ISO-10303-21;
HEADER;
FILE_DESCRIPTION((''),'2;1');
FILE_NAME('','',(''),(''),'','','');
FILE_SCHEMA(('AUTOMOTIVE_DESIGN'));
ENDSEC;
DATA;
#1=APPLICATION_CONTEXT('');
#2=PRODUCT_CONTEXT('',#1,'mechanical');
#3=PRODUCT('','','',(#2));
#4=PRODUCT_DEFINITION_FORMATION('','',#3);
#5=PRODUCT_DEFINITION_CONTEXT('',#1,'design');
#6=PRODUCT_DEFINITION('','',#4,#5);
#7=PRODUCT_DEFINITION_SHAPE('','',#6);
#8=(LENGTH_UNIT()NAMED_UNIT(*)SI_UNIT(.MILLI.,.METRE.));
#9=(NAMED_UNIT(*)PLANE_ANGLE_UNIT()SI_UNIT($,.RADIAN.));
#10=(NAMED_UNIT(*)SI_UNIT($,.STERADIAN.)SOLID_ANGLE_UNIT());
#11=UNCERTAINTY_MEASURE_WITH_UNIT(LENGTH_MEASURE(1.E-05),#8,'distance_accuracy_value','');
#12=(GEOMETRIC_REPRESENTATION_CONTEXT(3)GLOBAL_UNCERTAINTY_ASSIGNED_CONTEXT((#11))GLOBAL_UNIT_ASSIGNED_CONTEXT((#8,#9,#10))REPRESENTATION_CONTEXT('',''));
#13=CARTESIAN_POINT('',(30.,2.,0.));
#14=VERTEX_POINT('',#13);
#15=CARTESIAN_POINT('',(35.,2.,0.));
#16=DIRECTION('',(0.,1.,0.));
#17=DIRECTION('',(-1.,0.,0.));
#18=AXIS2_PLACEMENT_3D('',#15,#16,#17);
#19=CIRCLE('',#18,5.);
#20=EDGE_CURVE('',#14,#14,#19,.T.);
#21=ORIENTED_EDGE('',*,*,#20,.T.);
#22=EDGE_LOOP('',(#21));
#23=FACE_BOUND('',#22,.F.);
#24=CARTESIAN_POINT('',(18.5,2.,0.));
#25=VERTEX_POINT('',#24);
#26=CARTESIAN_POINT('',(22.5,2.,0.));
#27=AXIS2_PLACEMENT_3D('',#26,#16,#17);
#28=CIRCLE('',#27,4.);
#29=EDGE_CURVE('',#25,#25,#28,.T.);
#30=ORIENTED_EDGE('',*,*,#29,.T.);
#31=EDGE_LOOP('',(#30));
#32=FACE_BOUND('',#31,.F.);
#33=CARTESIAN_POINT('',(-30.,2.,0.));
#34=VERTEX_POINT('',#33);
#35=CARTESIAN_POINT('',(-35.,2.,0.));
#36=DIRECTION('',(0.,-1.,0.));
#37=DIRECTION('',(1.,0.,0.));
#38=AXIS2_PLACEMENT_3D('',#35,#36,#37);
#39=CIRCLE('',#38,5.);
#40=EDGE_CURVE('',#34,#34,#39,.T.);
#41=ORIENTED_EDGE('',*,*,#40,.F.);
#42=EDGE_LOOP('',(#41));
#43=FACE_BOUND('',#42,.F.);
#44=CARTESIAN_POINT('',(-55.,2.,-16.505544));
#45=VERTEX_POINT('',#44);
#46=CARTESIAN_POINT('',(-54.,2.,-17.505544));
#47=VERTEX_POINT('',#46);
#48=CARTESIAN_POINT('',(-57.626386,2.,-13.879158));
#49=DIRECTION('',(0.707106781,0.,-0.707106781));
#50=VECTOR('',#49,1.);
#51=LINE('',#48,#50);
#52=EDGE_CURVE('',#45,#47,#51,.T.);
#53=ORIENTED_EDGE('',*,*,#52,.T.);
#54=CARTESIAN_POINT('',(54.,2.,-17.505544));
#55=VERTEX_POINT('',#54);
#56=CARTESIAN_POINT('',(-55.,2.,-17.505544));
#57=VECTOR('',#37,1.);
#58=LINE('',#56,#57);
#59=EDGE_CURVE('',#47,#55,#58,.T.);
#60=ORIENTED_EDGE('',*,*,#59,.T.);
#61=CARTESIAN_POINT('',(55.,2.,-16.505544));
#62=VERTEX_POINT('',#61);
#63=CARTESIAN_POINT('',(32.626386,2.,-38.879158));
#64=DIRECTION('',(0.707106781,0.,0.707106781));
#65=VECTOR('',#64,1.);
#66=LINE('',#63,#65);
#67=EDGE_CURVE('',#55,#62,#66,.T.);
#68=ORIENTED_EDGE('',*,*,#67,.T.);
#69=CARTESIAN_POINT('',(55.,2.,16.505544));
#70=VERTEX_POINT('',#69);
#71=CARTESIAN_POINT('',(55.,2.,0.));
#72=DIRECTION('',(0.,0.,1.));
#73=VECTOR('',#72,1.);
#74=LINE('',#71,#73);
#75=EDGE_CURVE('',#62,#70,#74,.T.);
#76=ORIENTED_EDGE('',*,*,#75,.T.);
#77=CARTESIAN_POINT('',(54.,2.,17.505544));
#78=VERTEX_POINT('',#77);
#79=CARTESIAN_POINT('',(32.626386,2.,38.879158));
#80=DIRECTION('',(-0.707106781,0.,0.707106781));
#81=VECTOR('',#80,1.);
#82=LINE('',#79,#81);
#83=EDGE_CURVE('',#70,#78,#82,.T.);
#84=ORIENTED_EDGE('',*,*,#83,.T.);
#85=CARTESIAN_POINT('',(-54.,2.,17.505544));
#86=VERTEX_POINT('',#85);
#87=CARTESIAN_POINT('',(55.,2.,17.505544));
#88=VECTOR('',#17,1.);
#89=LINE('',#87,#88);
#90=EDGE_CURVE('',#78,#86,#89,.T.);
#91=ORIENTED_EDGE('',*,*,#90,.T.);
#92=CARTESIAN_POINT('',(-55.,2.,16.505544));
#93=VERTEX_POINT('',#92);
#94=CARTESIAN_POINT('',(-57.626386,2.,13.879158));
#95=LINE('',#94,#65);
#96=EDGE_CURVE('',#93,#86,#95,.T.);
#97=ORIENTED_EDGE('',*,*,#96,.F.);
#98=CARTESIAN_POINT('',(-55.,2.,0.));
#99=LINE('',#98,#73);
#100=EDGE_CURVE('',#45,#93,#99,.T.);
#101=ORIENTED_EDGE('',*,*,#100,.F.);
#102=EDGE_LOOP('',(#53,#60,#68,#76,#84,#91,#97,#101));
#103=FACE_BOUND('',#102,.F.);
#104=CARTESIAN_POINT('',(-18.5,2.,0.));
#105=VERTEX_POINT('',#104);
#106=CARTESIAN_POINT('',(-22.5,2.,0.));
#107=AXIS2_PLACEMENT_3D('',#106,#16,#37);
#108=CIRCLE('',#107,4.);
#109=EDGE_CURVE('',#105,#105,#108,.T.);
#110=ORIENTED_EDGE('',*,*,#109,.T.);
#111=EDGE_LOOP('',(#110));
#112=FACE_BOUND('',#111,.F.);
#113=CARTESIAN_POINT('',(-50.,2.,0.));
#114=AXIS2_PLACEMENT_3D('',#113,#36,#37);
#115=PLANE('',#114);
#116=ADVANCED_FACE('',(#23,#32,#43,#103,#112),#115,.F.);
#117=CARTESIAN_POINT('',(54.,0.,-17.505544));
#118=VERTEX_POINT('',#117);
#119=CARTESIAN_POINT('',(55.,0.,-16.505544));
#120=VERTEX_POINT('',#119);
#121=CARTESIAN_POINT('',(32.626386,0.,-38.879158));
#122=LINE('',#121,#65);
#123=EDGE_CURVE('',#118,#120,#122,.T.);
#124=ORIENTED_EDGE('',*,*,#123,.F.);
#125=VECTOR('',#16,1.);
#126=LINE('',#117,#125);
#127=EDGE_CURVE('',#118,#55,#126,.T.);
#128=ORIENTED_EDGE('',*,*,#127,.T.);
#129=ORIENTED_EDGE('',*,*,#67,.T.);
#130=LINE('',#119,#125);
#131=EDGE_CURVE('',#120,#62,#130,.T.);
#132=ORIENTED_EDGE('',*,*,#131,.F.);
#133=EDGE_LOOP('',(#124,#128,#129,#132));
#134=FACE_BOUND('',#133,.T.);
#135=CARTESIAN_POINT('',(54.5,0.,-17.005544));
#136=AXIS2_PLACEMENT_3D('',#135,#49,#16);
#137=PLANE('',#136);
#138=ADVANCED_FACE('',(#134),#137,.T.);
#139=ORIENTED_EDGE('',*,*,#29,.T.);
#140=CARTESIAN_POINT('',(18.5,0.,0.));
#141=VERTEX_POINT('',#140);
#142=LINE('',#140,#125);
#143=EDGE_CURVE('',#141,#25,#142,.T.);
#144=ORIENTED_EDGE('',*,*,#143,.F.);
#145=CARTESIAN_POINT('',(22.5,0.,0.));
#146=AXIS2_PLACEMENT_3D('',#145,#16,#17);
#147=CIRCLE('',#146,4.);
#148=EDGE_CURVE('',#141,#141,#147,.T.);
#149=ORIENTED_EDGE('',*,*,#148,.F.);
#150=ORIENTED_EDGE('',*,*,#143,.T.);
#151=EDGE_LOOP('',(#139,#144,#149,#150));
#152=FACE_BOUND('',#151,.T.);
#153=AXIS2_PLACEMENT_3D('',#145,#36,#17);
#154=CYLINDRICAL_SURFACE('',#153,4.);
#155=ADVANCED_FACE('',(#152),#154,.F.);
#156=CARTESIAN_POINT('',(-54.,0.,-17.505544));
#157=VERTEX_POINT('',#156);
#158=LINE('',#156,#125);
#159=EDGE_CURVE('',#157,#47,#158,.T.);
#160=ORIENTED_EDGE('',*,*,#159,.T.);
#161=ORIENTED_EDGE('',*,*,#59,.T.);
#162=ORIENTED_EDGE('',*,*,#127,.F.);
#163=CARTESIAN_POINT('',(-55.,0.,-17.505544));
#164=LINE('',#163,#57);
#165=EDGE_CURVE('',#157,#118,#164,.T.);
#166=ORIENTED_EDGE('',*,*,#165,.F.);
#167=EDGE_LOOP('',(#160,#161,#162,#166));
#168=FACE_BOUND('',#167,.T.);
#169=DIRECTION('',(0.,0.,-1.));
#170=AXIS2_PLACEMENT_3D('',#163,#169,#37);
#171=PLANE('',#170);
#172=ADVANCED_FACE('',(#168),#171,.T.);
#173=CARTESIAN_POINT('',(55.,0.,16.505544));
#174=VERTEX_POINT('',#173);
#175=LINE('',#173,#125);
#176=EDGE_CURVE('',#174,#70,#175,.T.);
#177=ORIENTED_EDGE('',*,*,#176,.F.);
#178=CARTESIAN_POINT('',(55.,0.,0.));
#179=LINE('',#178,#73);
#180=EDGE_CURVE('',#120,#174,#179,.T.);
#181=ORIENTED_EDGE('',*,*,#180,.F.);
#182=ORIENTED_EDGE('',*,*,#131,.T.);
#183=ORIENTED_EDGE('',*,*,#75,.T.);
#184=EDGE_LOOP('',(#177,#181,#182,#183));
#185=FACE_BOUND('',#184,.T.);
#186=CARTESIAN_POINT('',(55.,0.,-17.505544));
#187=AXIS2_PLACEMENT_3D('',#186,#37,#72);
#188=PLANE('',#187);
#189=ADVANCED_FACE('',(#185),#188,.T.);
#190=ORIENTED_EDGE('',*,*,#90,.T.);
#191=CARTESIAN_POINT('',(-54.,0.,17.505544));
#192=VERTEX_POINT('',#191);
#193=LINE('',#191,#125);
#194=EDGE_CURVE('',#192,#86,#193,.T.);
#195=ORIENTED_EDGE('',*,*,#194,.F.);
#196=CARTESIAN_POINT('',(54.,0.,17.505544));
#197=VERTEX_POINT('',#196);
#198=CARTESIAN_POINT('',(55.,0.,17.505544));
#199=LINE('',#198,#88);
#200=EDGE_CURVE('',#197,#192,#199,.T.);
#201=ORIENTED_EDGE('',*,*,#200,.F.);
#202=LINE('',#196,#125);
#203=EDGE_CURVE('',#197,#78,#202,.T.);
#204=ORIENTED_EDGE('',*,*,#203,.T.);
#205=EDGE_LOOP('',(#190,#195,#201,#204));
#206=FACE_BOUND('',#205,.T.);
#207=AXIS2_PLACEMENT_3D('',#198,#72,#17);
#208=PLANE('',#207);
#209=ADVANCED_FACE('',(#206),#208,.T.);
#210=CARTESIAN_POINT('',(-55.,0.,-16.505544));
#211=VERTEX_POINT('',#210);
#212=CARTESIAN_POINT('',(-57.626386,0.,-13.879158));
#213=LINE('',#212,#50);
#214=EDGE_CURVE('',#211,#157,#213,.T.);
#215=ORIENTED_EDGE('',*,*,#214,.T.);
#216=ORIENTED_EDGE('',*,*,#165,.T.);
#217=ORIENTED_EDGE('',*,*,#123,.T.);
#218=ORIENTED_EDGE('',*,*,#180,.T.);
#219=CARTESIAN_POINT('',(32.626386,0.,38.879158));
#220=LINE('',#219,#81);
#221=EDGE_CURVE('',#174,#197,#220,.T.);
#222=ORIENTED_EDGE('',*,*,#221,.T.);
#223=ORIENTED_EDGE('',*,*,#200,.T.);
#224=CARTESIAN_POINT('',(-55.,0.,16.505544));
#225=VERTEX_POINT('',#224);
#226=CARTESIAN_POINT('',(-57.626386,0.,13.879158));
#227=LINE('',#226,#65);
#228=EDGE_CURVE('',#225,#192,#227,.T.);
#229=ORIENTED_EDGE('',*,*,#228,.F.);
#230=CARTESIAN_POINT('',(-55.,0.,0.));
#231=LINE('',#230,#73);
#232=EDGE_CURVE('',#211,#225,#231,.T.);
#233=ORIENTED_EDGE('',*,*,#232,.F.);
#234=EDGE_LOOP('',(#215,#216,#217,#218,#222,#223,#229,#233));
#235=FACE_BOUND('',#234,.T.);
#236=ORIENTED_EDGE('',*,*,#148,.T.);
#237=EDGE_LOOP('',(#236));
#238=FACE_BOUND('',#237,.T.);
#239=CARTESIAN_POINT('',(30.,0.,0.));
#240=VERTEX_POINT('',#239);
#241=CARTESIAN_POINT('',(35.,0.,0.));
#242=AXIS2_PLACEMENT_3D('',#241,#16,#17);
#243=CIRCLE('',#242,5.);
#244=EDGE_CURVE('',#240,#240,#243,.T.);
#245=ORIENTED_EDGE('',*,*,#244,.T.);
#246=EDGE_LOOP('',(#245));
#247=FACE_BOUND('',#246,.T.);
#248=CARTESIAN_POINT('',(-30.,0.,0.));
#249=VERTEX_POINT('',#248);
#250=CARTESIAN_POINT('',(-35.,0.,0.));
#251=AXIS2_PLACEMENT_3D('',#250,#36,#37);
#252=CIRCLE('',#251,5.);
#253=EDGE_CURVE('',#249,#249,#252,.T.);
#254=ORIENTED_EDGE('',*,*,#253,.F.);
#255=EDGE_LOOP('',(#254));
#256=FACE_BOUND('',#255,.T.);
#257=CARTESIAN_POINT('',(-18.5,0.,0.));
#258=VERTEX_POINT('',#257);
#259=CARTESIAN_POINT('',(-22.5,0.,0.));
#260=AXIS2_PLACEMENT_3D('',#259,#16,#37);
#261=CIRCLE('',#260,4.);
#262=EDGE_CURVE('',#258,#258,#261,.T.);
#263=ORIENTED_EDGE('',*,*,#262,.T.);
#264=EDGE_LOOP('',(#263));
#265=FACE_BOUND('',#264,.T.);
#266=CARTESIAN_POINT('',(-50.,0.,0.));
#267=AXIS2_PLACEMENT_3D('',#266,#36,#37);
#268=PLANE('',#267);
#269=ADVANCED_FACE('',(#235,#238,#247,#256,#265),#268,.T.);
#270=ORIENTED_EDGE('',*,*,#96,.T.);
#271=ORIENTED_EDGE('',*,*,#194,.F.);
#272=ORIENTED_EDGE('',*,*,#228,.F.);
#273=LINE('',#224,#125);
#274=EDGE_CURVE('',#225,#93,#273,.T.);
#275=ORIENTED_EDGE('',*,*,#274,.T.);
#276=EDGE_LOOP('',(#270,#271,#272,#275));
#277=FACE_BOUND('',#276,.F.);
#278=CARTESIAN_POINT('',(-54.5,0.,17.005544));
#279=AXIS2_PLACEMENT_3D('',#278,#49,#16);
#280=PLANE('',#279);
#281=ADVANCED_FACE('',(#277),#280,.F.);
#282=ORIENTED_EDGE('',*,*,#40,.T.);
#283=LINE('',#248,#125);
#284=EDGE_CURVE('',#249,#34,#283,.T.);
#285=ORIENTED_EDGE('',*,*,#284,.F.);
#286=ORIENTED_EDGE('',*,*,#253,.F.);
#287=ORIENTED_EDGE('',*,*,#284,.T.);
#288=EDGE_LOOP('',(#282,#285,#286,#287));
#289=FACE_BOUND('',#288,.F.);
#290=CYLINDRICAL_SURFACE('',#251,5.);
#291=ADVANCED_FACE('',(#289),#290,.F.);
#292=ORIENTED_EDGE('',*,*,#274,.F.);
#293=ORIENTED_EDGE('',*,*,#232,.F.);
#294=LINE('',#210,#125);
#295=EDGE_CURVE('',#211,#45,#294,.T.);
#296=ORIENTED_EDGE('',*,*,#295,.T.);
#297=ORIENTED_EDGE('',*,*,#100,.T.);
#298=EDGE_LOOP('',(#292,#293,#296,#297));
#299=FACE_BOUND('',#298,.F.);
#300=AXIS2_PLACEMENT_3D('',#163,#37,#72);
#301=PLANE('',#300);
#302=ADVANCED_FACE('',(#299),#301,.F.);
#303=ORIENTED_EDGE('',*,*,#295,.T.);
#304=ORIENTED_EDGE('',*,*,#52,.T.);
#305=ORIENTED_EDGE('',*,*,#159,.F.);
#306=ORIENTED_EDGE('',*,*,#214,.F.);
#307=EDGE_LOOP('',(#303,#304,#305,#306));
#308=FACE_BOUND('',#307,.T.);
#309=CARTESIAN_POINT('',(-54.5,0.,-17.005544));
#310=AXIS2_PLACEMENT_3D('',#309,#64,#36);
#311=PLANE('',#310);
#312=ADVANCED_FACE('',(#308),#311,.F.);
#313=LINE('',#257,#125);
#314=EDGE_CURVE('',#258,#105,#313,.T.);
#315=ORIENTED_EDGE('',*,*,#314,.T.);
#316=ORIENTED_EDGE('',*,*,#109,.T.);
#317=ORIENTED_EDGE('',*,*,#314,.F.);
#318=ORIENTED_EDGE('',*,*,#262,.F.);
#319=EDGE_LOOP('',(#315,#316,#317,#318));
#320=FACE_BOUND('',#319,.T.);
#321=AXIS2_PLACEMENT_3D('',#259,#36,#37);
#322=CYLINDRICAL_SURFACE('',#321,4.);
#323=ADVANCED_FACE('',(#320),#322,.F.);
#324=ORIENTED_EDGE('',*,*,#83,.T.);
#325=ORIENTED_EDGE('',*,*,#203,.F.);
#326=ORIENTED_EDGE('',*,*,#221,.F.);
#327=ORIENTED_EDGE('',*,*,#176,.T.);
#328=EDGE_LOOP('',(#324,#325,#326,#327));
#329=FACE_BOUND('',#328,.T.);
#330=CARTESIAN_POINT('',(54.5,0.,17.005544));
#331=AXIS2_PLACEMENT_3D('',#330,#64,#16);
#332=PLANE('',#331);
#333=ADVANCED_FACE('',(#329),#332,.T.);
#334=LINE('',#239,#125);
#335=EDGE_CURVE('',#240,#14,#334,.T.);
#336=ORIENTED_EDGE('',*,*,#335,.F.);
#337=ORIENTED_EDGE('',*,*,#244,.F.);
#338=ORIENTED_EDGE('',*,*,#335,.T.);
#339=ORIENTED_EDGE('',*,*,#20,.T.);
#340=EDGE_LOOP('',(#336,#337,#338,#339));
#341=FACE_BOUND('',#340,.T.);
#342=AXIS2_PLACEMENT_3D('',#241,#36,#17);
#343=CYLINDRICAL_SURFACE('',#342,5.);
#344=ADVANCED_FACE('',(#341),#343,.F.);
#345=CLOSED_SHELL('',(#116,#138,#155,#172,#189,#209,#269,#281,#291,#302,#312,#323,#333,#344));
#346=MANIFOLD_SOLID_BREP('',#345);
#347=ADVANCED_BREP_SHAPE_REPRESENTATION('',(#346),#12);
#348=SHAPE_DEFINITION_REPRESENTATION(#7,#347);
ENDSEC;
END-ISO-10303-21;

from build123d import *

# Parameters (mm, degrees)
F0_W     = 10
F0_H     = 35.0110880776
F0_W_2   = 90
F0_R     = 5
F1_DEPTH = 2
F2_SIZE  = 1


with BuildPart() as f1:
    # F0 (on Front) → F1 (new body)
    with BuildSketch(Plane.XZ):
        with Locations((-50, 0)):
            Rectangle(F0_W, F0_H)
        Rectangle(F0_W_2, F0_H)
        with Locations((-35, 0)):
            Circle(F0_R, mode=Mode.SUBTRACT)
        with BuildLine():
            ThreePointArc((-26.5, 0), (-22.5, 4), (-18.5, 0))
            ThreePointArc((-18.5, 0), (-22.5, -4), (-26.5, 0))
        make_face(mode=Mode.SUBTRACT)
        with BuildLine():
            ThreePointArc((26.5, 0), (22.5, -4), (18.5, 0))
            ThreePointArc((18.5, 0), (22.5, 4), (26.5, 0))
        make_face(mode=Mode.SUBTRACT)
        with BuildLine():
            ThreePointArc((40, 0), (35, -5), (30, 0))
            ThreePointArc((30, 0), (35, 5), (40, 0))
        make_face(mode=Mode.SUBTRACT)
        with Locations((50, 0)):
            Rectangle(F0_W, F0_H)
    extrude(amount=-F1_DEPTH)

    # F2
    f2_edges = [f1.edges().sort_by_distance(p)[0] for p in [
        (55, 1, 17.505544),
        (55, 1, -17.505544),
        (-55, 1, -17.505544),
        (-55, 1, 17.505544),
    ]]
    chamfer(f2_edges, length=F2_SIZE)


solid = f1.part
